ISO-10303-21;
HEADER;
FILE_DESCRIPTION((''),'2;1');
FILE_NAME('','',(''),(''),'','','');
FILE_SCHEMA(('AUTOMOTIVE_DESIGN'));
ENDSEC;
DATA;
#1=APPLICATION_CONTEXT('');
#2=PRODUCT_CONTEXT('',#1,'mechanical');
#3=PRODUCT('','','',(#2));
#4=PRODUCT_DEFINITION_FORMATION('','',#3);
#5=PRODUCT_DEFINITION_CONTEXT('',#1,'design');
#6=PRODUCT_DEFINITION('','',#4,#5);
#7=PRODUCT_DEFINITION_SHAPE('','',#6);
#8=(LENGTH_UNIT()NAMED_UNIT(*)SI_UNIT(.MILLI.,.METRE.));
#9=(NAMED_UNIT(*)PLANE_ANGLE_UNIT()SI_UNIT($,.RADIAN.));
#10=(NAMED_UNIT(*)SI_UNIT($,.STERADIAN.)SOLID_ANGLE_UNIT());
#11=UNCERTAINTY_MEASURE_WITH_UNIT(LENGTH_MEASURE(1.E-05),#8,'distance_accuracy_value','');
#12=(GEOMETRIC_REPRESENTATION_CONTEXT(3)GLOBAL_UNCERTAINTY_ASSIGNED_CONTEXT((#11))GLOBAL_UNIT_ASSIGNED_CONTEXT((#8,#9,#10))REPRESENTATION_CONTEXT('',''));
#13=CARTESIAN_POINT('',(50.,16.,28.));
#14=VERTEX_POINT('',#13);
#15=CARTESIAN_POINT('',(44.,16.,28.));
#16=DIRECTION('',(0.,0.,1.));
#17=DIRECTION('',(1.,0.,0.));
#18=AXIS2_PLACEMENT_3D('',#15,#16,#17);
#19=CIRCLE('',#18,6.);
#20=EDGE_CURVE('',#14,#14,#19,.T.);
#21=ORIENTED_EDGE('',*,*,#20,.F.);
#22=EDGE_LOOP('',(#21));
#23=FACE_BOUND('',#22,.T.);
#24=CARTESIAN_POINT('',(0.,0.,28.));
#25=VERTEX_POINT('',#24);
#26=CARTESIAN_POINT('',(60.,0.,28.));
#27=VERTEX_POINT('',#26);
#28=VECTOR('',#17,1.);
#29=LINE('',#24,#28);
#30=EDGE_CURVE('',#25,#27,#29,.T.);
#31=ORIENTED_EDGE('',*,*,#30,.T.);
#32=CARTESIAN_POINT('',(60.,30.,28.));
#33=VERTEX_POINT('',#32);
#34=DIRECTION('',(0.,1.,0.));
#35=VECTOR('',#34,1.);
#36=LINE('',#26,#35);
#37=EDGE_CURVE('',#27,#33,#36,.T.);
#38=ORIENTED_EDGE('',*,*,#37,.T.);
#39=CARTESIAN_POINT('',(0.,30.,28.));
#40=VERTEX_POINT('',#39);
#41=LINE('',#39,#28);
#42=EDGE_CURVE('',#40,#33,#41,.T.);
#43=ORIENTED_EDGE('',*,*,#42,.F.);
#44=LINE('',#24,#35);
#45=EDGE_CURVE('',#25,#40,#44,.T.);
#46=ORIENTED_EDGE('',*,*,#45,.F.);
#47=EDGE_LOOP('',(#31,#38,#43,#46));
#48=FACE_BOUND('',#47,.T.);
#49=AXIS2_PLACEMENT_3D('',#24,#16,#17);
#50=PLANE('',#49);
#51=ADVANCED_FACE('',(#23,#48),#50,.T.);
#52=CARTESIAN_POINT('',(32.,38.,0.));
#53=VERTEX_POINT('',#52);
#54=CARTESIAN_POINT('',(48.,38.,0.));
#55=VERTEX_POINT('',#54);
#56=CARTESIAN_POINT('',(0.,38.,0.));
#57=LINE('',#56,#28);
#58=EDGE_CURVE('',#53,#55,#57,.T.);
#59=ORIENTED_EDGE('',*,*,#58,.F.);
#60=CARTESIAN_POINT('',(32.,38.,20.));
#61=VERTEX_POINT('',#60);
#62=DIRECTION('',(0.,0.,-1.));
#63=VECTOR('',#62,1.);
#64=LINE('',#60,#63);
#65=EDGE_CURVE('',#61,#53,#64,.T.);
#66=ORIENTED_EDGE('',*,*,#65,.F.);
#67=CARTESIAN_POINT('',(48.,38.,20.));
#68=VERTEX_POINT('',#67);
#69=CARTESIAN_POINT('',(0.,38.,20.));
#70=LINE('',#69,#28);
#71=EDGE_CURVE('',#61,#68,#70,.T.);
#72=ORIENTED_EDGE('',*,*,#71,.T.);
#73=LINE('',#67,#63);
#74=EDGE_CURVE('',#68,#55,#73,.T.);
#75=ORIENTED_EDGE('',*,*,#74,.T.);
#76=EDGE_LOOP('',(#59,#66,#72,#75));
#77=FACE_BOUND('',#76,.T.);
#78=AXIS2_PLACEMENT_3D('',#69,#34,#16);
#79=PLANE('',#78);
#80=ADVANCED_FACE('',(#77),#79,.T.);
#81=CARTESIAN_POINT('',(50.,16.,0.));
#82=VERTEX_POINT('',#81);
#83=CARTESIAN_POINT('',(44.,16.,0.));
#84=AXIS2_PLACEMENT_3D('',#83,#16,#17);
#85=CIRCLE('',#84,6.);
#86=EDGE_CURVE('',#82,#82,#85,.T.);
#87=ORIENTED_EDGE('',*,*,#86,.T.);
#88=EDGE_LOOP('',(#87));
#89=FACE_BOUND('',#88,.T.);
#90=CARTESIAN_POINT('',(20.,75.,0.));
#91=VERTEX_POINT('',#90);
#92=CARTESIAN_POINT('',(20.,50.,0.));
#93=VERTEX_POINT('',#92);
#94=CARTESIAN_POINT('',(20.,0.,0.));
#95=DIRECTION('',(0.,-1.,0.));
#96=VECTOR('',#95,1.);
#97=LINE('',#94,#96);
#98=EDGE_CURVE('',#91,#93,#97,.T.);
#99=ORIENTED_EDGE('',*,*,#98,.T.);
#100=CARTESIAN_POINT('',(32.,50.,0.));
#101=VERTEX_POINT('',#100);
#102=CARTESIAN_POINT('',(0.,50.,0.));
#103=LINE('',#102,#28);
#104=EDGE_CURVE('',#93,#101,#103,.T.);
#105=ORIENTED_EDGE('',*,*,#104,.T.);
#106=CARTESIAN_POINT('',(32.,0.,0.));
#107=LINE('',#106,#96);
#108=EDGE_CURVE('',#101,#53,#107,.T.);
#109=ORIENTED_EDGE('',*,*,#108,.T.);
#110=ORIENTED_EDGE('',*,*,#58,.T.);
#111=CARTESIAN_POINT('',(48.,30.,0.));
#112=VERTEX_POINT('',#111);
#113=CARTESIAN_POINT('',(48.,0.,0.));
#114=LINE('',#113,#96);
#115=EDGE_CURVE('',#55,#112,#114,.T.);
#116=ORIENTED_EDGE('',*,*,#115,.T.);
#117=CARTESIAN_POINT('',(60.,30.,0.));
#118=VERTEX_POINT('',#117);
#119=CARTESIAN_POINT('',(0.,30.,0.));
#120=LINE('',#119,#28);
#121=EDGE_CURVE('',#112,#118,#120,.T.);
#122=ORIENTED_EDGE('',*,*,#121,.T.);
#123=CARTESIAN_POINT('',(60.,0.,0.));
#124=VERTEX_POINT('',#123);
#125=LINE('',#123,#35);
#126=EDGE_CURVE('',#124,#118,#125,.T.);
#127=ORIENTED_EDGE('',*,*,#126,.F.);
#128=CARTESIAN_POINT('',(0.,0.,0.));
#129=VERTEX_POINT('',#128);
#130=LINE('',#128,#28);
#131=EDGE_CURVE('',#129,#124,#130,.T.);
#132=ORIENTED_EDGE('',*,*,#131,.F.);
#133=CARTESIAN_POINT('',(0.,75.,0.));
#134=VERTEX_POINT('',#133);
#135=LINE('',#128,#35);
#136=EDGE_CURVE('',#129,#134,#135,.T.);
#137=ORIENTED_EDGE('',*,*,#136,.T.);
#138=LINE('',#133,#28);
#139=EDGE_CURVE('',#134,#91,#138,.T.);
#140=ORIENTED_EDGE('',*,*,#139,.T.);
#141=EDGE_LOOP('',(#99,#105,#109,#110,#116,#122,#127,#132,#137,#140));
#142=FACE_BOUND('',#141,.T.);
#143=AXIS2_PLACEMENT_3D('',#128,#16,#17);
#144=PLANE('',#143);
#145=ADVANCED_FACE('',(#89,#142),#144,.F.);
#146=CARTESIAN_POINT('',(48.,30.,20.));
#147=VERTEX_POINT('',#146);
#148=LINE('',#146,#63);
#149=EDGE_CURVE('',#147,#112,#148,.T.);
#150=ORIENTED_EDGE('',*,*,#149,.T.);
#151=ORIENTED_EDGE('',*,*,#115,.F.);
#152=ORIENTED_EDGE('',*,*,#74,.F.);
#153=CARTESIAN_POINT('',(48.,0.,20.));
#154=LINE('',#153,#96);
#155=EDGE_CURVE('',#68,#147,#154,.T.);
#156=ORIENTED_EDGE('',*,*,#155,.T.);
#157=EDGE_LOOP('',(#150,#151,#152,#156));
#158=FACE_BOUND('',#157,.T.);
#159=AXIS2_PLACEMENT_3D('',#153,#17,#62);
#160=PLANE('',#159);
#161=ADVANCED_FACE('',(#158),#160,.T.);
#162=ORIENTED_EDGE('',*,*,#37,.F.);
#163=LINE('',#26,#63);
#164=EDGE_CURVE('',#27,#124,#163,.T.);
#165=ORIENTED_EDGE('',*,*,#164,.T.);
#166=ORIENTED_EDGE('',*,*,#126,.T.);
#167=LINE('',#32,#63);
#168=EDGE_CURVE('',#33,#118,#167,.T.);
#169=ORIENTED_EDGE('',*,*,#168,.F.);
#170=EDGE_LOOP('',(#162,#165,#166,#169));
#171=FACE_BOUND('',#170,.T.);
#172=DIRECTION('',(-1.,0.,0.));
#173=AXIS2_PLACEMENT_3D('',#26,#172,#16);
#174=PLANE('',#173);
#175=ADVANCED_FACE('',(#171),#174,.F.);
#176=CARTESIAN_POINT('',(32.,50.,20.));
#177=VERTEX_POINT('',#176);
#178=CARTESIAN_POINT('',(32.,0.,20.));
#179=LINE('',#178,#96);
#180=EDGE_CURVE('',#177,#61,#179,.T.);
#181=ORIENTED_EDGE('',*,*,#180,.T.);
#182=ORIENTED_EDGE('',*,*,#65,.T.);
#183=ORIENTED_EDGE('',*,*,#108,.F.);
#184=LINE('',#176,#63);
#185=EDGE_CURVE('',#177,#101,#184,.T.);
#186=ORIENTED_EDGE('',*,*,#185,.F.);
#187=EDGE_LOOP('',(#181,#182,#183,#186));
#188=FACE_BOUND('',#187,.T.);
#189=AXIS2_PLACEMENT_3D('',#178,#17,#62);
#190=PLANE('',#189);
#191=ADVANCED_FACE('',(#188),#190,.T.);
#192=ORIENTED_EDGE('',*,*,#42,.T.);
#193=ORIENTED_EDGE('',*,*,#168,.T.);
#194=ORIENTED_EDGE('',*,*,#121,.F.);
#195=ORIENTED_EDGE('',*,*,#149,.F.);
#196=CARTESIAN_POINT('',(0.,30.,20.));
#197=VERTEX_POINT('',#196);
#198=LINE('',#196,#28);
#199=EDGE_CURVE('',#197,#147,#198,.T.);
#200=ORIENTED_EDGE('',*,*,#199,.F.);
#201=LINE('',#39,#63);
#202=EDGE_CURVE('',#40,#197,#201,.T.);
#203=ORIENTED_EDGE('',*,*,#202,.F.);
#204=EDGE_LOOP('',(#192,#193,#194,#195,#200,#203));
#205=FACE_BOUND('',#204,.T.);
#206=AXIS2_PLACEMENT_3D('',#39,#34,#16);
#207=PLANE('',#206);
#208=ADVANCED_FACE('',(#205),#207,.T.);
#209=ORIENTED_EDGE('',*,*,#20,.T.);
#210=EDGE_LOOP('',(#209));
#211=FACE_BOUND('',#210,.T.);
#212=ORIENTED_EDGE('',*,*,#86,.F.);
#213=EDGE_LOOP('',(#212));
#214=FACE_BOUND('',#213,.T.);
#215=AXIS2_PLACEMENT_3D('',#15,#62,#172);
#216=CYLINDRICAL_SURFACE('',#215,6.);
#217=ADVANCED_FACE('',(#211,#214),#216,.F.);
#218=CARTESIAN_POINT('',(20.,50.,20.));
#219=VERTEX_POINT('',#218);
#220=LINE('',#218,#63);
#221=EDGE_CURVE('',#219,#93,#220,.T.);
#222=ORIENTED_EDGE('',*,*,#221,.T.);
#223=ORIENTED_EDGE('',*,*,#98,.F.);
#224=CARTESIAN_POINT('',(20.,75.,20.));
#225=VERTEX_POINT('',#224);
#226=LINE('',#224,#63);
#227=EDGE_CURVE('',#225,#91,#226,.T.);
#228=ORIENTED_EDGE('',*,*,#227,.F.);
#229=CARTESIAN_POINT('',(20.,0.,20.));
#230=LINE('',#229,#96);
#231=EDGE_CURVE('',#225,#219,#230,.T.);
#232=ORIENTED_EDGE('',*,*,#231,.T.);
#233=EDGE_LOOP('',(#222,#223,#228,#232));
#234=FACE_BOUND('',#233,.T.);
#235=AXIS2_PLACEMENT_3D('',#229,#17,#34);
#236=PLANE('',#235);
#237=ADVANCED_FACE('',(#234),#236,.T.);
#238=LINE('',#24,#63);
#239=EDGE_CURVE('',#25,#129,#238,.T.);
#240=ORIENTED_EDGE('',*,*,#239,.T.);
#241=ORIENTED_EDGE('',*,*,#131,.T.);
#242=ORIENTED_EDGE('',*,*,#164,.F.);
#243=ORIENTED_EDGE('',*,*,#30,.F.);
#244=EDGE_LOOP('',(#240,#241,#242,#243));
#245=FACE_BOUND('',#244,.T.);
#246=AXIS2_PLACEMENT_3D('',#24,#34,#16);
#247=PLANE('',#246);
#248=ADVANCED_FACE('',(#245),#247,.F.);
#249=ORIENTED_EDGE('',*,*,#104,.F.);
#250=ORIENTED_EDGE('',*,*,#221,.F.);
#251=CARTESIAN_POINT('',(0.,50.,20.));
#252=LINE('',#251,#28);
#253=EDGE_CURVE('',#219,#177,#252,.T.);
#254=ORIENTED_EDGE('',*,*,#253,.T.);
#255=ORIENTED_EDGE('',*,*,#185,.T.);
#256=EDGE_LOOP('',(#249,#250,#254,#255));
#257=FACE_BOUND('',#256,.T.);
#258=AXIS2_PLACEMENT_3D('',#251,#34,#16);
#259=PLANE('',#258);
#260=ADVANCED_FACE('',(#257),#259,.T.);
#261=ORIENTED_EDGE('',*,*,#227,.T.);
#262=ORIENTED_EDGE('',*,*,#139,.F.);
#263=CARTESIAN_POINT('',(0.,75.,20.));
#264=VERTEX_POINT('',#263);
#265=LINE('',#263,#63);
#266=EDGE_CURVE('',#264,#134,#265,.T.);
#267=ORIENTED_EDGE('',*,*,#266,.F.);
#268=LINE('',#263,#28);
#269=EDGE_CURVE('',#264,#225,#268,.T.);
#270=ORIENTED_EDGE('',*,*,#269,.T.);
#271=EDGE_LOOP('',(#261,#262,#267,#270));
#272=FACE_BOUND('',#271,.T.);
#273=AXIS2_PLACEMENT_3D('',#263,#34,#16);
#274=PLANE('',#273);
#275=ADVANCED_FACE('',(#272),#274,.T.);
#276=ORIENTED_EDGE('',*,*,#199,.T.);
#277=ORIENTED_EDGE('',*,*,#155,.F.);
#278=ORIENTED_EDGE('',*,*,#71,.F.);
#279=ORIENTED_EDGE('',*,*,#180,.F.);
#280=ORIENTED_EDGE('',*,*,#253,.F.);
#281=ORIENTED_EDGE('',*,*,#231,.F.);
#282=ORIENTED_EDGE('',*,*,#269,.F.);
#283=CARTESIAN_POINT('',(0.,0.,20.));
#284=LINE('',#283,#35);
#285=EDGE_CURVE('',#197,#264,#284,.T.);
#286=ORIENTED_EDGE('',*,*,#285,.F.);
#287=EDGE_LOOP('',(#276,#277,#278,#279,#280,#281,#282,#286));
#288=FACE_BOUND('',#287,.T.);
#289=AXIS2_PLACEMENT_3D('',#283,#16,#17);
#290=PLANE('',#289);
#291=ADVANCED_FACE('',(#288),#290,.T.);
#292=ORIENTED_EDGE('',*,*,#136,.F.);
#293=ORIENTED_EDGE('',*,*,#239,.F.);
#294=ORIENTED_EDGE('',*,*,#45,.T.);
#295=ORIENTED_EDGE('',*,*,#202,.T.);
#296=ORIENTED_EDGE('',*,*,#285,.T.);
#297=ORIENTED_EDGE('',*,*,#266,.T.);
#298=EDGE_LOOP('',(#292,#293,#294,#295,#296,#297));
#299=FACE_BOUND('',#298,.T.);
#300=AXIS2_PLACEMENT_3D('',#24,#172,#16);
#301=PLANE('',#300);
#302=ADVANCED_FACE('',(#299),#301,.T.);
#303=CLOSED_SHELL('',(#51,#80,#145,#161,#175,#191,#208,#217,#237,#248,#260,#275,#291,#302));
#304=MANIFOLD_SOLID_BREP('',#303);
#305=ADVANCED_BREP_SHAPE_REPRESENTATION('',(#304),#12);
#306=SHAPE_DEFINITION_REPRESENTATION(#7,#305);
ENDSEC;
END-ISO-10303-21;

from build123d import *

# Parameters (mm, degrees)
SKETCH1_R           = 6
BOSS_EXTRUDE1_DEPTH = 28
BOSS_EXTRUDE2_DEPTH = 20


with BuildPart() as part:
    # Sketch1 → Boss-Extrude1 (new body)
    with BuildSketch(Plane.XY):
        Polygon((48, 30), (0, 30), (0, 0), (60, 0), (60, 30), align=None)
        with Locations((44, 16)):
            Circle(SKETCH1_R, mode=Mode.SUBTRACT)
    extrude(amount=BOSS_EXTRUDE1_DEPTH)

    # Sketch1<3> → Boss-Extrude2 (add)
    with BuildSketch(Plane.XY):
        Polygon((0, 75), (0, 30), (48, 30), (48, 38), (32, 38), (32, 50), (20, 50), (20, 75), align=None)
    extrude(amount=BOSS_EXTRUDE2_DEPTH)


solid = part.part
